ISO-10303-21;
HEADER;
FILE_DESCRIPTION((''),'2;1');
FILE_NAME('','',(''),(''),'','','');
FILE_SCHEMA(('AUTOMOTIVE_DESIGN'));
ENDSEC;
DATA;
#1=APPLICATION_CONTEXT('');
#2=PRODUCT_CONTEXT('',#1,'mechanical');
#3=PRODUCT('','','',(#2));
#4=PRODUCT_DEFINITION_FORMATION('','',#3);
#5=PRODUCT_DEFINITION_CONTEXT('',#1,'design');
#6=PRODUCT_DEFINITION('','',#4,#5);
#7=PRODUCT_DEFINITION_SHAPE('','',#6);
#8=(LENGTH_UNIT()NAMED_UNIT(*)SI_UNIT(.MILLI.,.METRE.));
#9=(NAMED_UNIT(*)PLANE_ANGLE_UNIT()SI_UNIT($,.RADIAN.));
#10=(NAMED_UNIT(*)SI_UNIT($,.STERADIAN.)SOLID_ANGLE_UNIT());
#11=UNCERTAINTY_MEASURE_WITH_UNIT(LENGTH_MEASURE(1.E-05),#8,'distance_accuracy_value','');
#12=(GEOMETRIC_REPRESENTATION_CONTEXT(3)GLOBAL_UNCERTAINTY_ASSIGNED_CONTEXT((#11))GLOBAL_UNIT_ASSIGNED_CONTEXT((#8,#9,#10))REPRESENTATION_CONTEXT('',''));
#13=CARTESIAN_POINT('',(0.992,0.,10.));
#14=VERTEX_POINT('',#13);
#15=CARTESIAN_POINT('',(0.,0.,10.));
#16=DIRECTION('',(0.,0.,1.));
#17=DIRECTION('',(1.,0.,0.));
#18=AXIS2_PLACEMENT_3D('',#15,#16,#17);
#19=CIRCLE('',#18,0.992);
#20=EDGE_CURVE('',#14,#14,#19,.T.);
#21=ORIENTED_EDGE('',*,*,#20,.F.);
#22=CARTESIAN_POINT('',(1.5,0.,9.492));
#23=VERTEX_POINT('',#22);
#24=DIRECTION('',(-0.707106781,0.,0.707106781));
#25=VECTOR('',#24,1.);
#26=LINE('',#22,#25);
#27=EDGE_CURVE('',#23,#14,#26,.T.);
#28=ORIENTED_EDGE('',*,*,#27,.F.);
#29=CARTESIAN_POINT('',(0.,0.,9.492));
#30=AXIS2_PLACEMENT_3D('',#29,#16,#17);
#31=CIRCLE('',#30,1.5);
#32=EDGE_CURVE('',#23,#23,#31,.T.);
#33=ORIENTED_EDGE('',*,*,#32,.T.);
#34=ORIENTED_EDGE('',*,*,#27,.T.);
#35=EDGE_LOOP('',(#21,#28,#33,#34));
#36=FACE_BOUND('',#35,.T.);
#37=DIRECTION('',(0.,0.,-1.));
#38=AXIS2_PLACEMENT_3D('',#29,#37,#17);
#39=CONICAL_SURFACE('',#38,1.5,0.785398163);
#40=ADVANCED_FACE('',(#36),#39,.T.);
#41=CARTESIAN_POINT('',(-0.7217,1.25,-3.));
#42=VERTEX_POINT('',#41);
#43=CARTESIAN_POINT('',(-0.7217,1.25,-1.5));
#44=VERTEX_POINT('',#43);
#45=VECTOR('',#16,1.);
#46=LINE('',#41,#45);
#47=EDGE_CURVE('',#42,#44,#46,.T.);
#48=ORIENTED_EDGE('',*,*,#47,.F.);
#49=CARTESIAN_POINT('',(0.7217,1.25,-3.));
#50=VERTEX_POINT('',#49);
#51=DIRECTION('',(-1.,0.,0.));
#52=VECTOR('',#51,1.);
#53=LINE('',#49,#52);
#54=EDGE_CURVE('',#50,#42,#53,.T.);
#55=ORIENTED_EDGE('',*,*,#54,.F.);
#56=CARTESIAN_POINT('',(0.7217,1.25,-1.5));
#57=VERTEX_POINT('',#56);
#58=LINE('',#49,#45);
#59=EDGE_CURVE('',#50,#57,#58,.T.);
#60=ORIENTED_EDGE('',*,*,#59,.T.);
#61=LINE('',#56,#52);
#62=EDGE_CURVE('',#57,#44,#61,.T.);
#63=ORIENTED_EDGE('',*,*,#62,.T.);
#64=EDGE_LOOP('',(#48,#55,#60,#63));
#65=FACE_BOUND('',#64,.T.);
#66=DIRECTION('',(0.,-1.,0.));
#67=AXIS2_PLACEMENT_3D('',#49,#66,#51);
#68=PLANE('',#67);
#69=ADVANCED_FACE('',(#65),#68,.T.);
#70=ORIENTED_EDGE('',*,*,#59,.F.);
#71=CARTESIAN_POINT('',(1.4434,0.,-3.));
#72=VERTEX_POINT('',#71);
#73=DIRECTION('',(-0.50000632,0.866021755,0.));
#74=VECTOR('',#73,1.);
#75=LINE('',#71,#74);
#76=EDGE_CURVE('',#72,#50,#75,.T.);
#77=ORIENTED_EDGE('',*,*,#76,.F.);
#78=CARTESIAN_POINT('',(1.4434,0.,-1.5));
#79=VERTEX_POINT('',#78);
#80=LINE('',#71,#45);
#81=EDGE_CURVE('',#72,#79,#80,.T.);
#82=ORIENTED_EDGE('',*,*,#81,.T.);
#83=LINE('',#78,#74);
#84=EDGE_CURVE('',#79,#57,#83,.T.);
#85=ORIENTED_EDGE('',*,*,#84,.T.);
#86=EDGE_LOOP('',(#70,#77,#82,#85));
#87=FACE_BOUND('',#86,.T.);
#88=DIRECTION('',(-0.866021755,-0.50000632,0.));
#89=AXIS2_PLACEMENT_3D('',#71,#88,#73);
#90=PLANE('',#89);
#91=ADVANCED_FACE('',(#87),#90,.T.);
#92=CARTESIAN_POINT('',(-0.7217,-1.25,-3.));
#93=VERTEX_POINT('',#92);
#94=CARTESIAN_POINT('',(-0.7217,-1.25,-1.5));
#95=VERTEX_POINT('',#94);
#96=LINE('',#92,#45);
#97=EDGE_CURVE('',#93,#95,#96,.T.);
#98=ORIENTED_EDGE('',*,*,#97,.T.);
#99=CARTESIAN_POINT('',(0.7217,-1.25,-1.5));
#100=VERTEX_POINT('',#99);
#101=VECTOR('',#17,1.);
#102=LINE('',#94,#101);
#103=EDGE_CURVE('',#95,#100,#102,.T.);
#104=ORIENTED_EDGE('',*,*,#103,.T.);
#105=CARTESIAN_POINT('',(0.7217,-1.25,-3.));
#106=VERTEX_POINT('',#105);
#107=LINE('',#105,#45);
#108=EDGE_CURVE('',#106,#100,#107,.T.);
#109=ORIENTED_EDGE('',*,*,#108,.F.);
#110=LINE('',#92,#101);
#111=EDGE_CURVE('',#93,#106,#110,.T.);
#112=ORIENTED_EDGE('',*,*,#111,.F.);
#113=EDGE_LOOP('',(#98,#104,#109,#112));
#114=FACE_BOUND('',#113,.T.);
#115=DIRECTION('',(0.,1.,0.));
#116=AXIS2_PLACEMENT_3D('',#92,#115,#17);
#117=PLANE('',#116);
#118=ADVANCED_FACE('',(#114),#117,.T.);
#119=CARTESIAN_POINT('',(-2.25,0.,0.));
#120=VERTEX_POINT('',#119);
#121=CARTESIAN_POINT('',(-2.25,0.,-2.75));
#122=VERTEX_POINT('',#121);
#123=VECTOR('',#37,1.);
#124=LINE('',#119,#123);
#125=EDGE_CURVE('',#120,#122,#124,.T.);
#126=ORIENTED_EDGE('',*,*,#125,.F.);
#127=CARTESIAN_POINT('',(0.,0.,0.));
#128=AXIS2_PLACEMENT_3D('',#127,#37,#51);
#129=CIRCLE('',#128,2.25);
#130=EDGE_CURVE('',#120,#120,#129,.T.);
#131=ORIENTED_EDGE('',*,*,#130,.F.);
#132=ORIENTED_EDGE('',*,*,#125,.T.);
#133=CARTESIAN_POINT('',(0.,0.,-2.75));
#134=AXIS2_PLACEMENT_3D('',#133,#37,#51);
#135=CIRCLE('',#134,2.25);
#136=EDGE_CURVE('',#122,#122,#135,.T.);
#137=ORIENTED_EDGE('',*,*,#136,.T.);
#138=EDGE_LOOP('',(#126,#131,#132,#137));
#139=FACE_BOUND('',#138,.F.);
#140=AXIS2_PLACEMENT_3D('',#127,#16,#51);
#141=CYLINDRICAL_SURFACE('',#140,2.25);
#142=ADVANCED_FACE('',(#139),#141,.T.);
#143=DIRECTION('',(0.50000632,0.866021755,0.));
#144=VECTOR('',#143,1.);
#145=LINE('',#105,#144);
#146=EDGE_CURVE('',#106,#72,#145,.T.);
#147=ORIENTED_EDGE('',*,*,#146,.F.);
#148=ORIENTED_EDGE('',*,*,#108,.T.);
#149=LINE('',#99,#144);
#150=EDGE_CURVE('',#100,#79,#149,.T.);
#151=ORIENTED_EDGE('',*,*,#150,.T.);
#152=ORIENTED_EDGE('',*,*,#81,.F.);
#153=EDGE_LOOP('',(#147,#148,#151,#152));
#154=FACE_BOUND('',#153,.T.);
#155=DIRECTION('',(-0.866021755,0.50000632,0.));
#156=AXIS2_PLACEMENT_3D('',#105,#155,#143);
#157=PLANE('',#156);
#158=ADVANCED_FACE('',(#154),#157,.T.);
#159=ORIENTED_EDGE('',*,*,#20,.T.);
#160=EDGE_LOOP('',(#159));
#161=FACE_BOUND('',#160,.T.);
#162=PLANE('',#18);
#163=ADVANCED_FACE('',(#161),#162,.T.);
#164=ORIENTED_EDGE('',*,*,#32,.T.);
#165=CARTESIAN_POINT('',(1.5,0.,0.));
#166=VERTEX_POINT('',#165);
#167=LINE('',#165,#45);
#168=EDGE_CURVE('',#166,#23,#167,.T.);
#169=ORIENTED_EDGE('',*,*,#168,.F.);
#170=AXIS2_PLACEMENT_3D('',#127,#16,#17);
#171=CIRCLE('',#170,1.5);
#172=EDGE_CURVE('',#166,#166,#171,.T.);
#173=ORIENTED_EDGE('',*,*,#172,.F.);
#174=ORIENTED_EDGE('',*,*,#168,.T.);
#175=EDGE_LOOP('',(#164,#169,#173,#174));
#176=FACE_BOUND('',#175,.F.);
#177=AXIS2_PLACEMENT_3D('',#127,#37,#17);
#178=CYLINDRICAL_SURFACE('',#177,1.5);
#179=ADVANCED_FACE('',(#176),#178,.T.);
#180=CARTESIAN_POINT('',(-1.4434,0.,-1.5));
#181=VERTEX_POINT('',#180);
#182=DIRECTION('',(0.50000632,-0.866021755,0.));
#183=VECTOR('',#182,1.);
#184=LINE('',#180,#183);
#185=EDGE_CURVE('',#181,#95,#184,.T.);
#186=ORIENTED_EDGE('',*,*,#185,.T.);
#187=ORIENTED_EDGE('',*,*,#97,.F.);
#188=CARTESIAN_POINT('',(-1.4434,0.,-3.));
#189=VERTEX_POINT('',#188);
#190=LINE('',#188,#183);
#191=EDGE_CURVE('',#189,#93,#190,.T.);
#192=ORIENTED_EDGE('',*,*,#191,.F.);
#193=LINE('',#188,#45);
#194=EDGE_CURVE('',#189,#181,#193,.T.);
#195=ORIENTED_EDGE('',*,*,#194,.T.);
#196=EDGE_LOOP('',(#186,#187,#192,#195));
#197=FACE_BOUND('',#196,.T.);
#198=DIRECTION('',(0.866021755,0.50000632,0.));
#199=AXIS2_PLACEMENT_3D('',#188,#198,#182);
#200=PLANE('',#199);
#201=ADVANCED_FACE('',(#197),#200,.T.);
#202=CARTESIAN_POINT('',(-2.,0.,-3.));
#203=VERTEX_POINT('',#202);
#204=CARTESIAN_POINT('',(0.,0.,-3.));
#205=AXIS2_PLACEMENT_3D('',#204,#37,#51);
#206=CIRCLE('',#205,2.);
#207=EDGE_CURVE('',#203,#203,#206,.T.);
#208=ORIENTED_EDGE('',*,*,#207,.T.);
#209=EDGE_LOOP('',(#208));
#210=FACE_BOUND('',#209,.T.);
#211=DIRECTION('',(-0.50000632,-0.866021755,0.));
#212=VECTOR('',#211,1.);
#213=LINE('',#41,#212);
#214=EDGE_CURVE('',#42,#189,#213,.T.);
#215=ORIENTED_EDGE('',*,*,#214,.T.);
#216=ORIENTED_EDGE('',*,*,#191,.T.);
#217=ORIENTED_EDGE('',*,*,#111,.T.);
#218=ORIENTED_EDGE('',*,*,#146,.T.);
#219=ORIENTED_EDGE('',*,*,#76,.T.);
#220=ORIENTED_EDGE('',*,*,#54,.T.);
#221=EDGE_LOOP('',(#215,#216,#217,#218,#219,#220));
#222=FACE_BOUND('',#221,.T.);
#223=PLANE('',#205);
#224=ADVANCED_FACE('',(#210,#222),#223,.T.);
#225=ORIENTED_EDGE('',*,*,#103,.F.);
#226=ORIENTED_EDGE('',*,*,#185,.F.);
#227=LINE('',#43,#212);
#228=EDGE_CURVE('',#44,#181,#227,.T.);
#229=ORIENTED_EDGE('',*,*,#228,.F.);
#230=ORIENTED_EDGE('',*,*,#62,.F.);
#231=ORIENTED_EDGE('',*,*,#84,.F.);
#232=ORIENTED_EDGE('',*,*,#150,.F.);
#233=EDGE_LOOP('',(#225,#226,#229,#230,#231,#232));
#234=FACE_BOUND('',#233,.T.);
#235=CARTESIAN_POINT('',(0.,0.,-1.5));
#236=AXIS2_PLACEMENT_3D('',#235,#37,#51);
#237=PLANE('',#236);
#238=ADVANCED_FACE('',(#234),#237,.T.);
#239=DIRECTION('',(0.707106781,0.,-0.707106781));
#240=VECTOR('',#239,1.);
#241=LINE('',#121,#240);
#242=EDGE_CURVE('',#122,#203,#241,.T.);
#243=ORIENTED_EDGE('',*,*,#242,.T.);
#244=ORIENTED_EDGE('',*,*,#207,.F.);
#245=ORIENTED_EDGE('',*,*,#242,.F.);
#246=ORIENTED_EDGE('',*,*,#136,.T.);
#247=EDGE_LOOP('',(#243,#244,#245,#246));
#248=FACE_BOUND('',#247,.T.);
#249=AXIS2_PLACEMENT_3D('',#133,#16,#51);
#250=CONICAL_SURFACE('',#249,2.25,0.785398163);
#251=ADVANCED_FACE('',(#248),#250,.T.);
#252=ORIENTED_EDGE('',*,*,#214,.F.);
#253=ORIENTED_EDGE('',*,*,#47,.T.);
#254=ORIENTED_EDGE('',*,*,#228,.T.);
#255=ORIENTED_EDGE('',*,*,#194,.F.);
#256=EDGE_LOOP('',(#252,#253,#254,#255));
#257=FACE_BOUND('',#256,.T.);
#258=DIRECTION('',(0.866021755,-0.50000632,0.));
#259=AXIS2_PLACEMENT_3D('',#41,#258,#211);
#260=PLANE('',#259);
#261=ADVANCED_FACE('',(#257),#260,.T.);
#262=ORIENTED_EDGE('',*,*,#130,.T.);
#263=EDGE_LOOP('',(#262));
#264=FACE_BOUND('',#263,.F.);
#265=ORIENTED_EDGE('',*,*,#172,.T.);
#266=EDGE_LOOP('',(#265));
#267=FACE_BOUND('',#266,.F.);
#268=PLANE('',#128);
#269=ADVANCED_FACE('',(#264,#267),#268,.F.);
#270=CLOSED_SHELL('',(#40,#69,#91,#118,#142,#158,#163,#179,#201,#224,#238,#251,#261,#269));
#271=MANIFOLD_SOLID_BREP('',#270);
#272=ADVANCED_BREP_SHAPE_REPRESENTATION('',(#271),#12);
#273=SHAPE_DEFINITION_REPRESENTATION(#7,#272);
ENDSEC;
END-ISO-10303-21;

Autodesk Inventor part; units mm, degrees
ref_plane "YZ Plane" through (0, 0, 0) normal (1, 0, 0) x (0, 1, 0)
ref_plane "XZ Plane" through (0, 0, 0) normal (0, 1, 0) x (-1, 0, 0)
ref_plane "XY Plane" through (0, 0, 0) normal (0, 0, 1) x (1, 0, 0)
sketch "Sketch1" plane through (0, 0, 0) normal (0, 0, 1) x (1, 0, 0)
  circle A0 centre (0, 0) radius 1.5
  dimension "d0" = 3
extrude "Extrusion1" add sketch "Sketch1" along normal blind 10
sketch "Sketch2" plane through (0, 0, 0) normal (0, 0, -1) x (-1, 0, 0)
  circle A0 centre (0, 0) radius 1.5 projected
  circle A1 centre (0, 0) radius 2.25
  dimension "d3" = 4.5
extrude "Extrusion2" add sketch "Sketch2" along normal blind 3 contours A0 | A1
sketch "Sketch3" plane through (0, 0, -3) normal (0, 0, -1) x (-1, 0, 0)
  circle A0 centre (0, 0) radius 2.25 projected
  line L0 (-0.7217, 1.25) -> (0.7217, 1.25)
  line L1 (0.7217, 1.25) -> (1.4434, 0)
  line L2 (1.4434, 0) -> (0.7217, -1.25)
  line L3 (0.7217, -1.25) -> (-0.7217, -1.25)
  line L4 (-0.7217, -1.25) -> (-1.4434, 0)
  line L5 (-1.4434, 0) -> (-0.7217, 1.25)
  dimension "d6" = 2.5
extrude "Extrusion3" cut sketch "Sketch3" against normal blind 1.5 contours L0 L1 L2 L3 L4 L5
thread "Thread1" size "M3x0.5" class "6g" standard "ANSI Metric M Profile" full length
chamfer "Chamfer1" distance 0.508 angle 45 1 edges at (-1.5, 0, 10)
chamfer "Chamfer2" distance 0.25 angle 45 1 edges at (2.25, 0, -3)
properties part number "m3 x10" material "Steel"
